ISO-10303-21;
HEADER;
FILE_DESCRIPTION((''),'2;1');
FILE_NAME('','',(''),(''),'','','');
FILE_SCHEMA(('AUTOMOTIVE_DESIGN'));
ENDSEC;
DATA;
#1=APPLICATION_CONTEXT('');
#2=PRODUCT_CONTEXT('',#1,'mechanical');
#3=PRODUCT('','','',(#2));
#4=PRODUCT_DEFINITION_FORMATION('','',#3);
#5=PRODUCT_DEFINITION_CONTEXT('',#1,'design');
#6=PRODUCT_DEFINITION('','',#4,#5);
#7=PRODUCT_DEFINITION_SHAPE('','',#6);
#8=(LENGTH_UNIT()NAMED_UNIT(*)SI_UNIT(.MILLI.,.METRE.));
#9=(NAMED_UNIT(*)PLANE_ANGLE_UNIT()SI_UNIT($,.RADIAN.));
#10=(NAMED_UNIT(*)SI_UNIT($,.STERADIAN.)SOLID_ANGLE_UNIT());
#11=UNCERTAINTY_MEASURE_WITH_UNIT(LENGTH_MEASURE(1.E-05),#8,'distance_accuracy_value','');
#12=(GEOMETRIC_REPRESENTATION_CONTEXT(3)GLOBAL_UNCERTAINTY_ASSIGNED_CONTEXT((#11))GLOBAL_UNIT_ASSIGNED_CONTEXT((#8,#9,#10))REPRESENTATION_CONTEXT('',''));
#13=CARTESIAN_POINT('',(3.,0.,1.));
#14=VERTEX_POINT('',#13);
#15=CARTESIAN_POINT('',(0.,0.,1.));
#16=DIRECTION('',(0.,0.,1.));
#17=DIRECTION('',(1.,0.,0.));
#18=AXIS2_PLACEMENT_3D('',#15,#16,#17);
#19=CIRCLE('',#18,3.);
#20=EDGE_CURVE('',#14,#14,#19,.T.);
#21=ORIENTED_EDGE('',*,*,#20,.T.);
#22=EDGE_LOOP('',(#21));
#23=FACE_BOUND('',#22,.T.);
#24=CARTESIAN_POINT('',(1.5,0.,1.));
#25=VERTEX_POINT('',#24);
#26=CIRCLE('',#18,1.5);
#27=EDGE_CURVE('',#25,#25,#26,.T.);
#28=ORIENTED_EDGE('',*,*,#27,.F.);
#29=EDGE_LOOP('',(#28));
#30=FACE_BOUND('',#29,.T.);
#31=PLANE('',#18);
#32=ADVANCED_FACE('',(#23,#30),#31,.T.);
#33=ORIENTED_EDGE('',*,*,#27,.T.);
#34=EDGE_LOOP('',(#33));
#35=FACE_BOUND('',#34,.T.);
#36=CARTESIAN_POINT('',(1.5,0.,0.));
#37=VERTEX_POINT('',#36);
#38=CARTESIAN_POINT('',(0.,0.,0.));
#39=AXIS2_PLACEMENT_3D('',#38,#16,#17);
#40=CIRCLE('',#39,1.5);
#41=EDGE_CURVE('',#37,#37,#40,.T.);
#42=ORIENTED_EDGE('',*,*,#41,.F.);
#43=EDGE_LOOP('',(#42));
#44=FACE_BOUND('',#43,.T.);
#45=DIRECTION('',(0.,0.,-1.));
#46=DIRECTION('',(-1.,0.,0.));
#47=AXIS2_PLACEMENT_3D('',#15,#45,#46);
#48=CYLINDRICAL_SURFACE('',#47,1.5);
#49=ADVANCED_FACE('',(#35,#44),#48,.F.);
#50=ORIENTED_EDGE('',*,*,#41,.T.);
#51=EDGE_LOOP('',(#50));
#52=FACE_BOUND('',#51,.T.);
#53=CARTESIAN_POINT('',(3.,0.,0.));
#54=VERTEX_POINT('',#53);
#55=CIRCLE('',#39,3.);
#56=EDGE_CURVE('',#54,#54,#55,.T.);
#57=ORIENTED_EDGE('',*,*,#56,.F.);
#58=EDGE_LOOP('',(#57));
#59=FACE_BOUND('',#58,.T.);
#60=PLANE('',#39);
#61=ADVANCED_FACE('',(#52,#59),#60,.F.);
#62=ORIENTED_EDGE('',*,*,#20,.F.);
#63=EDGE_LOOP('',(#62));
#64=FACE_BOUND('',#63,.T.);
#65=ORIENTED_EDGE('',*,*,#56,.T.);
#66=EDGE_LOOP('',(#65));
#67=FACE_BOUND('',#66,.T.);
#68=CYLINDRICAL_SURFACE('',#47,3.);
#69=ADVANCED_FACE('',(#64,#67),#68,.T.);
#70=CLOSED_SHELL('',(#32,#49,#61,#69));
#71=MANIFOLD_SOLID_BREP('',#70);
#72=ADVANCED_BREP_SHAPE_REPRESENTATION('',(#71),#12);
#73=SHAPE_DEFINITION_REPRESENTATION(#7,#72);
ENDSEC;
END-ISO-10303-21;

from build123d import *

# Parameters (mm, degrees)
SKETCH1_R           = 3
SKETCH1_R_2         = 1.5
BOSS_EXTRUDE1_DEPTH = 1


with BuildPart() as part:
    # Sketch1 → Boss-Extrude1 (new body)
    with BuildSketch(Plane.XY):
        Circle(SKETCH1_R)
        Circle(SKETCH1_R_2, mode=Mode.SUBTRACT)
    extrude(amount=BOSS_EXTRUDE1_DEPTH)


solid = part.part
